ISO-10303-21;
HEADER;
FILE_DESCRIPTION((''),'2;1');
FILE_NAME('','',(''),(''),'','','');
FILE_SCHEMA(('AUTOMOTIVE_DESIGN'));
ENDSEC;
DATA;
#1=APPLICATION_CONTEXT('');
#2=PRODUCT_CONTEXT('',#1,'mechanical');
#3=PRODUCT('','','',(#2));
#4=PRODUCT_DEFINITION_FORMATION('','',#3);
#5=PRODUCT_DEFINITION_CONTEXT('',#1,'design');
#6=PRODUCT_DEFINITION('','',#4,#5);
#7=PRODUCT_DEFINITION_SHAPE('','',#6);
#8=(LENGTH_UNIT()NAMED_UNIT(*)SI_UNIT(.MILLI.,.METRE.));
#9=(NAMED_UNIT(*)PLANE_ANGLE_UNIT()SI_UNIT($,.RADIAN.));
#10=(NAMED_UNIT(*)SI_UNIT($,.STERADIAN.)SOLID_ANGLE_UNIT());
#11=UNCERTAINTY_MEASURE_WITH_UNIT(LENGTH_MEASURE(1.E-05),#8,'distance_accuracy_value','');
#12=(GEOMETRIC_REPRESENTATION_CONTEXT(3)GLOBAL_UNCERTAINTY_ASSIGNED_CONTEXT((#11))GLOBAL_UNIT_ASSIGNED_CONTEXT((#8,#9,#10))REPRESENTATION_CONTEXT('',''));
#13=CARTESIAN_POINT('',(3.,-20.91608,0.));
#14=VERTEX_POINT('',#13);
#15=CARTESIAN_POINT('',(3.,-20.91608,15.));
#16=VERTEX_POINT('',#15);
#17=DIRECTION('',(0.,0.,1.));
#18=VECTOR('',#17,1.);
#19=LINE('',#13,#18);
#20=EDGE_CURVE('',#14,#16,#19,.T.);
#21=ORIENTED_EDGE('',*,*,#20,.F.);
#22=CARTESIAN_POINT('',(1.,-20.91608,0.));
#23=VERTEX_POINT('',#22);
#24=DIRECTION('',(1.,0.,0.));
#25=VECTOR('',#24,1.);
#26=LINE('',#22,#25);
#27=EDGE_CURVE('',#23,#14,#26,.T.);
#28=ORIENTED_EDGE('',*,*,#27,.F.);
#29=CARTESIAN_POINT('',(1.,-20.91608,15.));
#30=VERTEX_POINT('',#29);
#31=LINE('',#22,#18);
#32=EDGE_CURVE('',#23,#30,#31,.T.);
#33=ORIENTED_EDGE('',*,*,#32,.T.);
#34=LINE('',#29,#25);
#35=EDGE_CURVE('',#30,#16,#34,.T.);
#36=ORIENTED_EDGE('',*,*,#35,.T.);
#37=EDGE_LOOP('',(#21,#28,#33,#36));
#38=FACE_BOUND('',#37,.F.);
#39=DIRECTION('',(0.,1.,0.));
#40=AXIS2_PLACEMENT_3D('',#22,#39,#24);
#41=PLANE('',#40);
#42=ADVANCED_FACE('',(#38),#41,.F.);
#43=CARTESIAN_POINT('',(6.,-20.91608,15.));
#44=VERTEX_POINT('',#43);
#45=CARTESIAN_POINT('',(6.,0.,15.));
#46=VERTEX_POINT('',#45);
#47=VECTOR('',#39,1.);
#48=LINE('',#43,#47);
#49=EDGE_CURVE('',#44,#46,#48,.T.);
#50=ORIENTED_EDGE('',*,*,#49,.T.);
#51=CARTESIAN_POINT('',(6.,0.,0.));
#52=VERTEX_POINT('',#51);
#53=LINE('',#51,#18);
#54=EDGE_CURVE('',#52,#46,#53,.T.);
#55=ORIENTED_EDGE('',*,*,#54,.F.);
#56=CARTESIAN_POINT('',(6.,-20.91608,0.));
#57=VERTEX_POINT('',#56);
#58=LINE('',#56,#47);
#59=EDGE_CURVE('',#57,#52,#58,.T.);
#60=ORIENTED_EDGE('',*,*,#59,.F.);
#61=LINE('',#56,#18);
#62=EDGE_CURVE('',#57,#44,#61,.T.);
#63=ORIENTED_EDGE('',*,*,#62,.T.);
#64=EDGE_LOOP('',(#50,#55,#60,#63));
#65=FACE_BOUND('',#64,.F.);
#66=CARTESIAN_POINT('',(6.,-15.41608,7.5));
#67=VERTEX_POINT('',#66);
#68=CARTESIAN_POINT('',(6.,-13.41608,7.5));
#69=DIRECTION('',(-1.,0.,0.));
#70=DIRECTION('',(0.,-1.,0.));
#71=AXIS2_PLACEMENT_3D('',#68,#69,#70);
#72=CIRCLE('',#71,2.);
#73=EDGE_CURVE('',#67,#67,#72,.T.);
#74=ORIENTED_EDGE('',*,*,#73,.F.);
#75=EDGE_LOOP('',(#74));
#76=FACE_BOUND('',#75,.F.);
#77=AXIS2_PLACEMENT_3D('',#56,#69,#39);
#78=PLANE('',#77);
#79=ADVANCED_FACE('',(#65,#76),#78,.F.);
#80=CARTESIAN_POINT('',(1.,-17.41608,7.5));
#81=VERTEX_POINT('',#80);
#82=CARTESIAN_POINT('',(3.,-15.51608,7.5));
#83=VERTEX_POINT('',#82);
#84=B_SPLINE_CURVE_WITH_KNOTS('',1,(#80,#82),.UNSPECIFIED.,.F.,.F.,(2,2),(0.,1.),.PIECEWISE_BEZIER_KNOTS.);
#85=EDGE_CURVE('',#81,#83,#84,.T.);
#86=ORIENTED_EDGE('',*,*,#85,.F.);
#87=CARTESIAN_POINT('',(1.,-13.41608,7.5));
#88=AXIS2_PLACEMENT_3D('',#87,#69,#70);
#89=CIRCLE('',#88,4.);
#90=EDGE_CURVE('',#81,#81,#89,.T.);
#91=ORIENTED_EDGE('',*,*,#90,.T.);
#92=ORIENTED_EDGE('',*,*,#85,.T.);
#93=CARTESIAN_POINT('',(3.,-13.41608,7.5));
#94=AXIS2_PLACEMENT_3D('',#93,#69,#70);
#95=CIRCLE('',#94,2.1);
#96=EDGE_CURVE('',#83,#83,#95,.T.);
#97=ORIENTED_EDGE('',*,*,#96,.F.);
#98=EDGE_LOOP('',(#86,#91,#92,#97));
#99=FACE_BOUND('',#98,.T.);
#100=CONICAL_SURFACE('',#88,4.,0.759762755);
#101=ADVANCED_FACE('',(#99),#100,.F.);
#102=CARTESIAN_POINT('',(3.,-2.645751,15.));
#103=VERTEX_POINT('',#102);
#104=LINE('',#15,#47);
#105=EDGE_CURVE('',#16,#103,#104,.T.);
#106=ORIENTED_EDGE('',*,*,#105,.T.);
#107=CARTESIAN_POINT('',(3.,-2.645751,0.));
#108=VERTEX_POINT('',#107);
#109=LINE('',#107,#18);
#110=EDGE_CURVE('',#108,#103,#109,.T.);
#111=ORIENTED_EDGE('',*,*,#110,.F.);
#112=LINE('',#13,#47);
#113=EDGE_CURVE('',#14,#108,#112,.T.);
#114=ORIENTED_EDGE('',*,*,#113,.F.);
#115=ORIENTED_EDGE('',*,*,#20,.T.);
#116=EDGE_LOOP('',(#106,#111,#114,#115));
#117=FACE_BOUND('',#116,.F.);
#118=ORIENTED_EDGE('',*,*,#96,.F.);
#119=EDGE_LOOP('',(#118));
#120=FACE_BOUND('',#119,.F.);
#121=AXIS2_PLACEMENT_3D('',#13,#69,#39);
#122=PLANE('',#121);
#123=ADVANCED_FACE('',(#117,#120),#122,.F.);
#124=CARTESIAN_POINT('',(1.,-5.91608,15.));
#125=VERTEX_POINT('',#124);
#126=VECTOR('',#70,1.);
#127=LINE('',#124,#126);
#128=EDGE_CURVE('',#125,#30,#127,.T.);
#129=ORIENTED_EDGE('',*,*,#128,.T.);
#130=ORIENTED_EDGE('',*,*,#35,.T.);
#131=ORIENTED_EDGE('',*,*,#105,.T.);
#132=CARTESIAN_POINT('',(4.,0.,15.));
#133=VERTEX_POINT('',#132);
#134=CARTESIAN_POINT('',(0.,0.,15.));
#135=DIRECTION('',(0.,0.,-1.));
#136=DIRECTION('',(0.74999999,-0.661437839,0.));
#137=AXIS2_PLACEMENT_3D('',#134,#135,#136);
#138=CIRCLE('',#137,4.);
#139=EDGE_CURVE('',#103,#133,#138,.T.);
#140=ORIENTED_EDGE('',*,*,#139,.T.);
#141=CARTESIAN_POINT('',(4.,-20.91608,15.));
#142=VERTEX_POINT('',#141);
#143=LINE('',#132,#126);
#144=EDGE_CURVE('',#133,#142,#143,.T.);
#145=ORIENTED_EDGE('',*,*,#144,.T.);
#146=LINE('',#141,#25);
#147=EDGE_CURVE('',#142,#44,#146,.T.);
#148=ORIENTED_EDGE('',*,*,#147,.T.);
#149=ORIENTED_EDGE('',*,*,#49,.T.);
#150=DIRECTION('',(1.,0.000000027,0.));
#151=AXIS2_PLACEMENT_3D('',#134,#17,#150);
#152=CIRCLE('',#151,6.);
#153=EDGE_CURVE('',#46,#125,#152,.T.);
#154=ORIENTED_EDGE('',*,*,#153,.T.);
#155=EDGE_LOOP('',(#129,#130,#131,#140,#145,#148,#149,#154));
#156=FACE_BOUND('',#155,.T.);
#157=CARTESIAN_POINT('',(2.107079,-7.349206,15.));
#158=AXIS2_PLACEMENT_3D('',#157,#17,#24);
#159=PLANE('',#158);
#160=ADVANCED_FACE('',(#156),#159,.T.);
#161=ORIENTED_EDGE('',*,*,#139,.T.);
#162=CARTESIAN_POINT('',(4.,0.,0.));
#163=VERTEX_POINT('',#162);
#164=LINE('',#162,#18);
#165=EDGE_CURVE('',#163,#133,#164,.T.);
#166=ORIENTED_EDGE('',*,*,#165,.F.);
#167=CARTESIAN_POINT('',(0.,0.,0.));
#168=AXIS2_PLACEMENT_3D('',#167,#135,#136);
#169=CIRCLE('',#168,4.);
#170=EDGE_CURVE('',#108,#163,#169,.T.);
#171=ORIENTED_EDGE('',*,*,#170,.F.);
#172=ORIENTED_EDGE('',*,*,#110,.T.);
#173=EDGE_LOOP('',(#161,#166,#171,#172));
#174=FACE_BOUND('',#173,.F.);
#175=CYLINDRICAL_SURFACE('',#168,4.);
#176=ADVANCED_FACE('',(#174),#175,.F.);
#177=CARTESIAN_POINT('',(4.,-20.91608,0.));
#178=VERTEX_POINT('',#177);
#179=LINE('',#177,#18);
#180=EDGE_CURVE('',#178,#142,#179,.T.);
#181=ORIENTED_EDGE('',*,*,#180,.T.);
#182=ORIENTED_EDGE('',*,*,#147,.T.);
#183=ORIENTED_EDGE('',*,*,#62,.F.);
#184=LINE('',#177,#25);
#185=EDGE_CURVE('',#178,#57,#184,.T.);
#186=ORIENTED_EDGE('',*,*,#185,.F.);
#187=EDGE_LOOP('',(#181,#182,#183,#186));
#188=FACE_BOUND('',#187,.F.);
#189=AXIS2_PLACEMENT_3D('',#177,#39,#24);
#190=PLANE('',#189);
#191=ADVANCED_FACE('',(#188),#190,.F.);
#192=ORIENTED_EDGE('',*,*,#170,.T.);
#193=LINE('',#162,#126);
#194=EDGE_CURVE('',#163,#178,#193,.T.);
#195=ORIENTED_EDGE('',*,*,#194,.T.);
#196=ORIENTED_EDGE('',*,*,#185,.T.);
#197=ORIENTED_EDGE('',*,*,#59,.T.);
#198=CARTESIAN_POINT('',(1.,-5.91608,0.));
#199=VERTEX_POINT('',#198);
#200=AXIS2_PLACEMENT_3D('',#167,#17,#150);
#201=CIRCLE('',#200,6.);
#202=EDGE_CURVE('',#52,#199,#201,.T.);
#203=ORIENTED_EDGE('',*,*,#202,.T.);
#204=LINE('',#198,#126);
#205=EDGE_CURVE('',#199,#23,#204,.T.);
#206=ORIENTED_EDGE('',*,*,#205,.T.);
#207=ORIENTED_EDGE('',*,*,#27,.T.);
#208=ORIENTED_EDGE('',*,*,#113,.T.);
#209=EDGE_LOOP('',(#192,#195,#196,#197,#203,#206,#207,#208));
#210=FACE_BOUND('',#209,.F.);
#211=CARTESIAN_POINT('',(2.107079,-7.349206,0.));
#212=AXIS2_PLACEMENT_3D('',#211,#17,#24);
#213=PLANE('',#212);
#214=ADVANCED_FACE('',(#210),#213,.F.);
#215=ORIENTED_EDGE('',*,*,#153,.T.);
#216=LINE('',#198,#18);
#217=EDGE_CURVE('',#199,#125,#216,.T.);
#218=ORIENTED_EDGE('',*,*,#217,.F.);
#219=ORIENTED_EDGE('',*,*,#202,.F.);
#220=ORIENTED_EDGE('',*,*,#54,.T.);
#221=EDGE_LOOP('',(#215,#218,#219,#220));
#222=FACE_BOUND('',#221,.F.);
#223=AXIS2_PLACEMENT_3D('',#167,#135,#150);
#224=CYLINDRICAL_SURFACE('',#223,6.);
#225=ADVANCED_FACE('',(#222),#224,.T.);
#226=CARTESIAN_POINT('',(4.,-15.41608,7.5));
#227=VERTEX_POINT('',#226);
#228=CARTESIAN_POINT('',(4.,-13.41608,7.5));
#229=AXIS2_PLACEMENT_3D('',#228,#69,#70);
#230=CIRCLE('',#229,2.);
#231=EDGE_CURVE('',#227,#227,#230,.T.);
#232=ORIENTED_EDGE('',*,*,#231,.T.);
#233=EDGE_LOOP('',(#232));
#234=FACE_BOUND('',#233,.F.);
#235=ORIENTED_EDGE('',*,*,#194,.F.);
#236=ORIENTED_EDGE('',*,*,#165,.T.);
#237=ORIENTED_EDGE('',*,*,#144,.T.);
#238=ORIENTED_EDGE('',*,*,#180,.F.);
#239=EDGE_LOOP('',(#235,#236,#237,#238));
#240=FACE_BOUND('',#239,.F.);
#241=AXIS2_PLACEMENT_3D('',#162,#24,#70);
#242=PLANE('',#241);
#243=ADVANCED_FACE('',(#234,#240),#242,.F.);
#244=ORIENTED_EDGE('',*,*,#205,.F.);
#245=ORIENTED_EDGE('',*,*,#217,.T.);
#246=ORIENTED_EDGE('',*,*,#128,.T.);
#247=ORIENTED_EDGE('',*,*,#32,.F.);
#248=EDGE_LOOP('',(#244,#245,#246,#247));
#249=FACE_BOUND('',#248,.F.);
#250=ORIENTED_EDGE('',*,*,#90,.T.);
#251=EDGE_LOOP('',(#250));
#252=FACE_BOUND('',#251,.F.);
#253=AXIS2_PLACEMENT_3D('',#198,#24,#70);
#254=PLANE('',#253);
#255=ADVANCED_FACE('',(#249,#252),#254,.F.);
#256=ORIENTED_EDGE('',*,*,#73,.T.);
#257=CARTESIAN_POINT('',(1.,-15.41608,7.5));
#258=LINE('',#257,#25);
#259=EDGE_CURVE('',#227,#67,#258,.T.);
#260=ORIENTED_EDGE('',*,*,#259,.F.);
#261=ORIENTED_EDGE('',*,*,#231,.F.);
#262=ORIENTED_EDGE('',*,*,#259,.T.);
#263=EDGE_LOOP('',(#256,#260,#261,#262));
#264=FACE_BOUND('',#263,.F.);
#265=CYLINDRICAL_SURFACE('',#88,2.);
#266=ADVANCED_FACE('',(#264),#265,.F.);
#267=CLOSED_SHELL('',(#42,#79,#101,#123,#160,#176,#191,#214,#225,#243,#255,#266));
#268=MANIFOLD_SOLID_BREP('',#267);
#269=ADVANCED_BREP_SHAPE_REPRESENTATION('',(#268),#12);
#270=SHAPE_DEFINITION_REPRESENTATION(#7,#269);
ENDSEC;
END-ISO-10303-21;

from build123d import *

# Parameters (mm, degrees)
F1_DEPTH = 15
F2_R     = 2
F3_DEPTH = 5
F4_R     = 4
F5_R     = 2.1


with BuildPart() as f1:
    # F0 (on Top) → F1 (new body)
    with BuildSketch(Plane.XY):
        with BuildLine():
            ThreePointArc((3, -2.645751), (-3.741657, 1.414214), (4, 0))
            Line((4, 0), (4, -20.91608))
            Line((4, -20.91608), (6, -20.91608))
            Line((6, -20.91608), (6, 0))
            ThreePointArc((6, 0), (-4.582576, 3.872983), (1, -5.91608))
            Line((1, -5.91608), (1, -20.91608))
            Line((1, -20.91608), (3, -20.91608))
            Line((3, -20.91608), (3, -2.645751))
        make_face()
    extrude(amount=F1_DEPTH)

    # F2 (on face) → F3 (cut, through all)
    with BuildSketch(Plane(origin=(1, 0, 0), x_dir=(0, -1, 0), z_dir=(-1, 0, 0))):
        with Locations((13.41608, 7.5)):
            Circle(F2_R)
    extrude(amount=-F3_DEPTH, mode=Mode.SUBTRACT)

    # F4 (on face) → F6 section 0
    with BuildSketch(Plane(origin=(1, 0, 0), x_dir=(0, -1, 0), z_dir=(-1, 0, 0))):
        with Locations((13.41608, 7.5)):
            Circle(F4_R)
    # F5 (on face) → F6 section 1
    with BuildSketch(Plane.YZ.offset(3)):
        with Locations((-13.41608, 7.5)):
            Circle(F5_R)
    loft(mode=Mode.SUBTRACT)


solid = f1.part
